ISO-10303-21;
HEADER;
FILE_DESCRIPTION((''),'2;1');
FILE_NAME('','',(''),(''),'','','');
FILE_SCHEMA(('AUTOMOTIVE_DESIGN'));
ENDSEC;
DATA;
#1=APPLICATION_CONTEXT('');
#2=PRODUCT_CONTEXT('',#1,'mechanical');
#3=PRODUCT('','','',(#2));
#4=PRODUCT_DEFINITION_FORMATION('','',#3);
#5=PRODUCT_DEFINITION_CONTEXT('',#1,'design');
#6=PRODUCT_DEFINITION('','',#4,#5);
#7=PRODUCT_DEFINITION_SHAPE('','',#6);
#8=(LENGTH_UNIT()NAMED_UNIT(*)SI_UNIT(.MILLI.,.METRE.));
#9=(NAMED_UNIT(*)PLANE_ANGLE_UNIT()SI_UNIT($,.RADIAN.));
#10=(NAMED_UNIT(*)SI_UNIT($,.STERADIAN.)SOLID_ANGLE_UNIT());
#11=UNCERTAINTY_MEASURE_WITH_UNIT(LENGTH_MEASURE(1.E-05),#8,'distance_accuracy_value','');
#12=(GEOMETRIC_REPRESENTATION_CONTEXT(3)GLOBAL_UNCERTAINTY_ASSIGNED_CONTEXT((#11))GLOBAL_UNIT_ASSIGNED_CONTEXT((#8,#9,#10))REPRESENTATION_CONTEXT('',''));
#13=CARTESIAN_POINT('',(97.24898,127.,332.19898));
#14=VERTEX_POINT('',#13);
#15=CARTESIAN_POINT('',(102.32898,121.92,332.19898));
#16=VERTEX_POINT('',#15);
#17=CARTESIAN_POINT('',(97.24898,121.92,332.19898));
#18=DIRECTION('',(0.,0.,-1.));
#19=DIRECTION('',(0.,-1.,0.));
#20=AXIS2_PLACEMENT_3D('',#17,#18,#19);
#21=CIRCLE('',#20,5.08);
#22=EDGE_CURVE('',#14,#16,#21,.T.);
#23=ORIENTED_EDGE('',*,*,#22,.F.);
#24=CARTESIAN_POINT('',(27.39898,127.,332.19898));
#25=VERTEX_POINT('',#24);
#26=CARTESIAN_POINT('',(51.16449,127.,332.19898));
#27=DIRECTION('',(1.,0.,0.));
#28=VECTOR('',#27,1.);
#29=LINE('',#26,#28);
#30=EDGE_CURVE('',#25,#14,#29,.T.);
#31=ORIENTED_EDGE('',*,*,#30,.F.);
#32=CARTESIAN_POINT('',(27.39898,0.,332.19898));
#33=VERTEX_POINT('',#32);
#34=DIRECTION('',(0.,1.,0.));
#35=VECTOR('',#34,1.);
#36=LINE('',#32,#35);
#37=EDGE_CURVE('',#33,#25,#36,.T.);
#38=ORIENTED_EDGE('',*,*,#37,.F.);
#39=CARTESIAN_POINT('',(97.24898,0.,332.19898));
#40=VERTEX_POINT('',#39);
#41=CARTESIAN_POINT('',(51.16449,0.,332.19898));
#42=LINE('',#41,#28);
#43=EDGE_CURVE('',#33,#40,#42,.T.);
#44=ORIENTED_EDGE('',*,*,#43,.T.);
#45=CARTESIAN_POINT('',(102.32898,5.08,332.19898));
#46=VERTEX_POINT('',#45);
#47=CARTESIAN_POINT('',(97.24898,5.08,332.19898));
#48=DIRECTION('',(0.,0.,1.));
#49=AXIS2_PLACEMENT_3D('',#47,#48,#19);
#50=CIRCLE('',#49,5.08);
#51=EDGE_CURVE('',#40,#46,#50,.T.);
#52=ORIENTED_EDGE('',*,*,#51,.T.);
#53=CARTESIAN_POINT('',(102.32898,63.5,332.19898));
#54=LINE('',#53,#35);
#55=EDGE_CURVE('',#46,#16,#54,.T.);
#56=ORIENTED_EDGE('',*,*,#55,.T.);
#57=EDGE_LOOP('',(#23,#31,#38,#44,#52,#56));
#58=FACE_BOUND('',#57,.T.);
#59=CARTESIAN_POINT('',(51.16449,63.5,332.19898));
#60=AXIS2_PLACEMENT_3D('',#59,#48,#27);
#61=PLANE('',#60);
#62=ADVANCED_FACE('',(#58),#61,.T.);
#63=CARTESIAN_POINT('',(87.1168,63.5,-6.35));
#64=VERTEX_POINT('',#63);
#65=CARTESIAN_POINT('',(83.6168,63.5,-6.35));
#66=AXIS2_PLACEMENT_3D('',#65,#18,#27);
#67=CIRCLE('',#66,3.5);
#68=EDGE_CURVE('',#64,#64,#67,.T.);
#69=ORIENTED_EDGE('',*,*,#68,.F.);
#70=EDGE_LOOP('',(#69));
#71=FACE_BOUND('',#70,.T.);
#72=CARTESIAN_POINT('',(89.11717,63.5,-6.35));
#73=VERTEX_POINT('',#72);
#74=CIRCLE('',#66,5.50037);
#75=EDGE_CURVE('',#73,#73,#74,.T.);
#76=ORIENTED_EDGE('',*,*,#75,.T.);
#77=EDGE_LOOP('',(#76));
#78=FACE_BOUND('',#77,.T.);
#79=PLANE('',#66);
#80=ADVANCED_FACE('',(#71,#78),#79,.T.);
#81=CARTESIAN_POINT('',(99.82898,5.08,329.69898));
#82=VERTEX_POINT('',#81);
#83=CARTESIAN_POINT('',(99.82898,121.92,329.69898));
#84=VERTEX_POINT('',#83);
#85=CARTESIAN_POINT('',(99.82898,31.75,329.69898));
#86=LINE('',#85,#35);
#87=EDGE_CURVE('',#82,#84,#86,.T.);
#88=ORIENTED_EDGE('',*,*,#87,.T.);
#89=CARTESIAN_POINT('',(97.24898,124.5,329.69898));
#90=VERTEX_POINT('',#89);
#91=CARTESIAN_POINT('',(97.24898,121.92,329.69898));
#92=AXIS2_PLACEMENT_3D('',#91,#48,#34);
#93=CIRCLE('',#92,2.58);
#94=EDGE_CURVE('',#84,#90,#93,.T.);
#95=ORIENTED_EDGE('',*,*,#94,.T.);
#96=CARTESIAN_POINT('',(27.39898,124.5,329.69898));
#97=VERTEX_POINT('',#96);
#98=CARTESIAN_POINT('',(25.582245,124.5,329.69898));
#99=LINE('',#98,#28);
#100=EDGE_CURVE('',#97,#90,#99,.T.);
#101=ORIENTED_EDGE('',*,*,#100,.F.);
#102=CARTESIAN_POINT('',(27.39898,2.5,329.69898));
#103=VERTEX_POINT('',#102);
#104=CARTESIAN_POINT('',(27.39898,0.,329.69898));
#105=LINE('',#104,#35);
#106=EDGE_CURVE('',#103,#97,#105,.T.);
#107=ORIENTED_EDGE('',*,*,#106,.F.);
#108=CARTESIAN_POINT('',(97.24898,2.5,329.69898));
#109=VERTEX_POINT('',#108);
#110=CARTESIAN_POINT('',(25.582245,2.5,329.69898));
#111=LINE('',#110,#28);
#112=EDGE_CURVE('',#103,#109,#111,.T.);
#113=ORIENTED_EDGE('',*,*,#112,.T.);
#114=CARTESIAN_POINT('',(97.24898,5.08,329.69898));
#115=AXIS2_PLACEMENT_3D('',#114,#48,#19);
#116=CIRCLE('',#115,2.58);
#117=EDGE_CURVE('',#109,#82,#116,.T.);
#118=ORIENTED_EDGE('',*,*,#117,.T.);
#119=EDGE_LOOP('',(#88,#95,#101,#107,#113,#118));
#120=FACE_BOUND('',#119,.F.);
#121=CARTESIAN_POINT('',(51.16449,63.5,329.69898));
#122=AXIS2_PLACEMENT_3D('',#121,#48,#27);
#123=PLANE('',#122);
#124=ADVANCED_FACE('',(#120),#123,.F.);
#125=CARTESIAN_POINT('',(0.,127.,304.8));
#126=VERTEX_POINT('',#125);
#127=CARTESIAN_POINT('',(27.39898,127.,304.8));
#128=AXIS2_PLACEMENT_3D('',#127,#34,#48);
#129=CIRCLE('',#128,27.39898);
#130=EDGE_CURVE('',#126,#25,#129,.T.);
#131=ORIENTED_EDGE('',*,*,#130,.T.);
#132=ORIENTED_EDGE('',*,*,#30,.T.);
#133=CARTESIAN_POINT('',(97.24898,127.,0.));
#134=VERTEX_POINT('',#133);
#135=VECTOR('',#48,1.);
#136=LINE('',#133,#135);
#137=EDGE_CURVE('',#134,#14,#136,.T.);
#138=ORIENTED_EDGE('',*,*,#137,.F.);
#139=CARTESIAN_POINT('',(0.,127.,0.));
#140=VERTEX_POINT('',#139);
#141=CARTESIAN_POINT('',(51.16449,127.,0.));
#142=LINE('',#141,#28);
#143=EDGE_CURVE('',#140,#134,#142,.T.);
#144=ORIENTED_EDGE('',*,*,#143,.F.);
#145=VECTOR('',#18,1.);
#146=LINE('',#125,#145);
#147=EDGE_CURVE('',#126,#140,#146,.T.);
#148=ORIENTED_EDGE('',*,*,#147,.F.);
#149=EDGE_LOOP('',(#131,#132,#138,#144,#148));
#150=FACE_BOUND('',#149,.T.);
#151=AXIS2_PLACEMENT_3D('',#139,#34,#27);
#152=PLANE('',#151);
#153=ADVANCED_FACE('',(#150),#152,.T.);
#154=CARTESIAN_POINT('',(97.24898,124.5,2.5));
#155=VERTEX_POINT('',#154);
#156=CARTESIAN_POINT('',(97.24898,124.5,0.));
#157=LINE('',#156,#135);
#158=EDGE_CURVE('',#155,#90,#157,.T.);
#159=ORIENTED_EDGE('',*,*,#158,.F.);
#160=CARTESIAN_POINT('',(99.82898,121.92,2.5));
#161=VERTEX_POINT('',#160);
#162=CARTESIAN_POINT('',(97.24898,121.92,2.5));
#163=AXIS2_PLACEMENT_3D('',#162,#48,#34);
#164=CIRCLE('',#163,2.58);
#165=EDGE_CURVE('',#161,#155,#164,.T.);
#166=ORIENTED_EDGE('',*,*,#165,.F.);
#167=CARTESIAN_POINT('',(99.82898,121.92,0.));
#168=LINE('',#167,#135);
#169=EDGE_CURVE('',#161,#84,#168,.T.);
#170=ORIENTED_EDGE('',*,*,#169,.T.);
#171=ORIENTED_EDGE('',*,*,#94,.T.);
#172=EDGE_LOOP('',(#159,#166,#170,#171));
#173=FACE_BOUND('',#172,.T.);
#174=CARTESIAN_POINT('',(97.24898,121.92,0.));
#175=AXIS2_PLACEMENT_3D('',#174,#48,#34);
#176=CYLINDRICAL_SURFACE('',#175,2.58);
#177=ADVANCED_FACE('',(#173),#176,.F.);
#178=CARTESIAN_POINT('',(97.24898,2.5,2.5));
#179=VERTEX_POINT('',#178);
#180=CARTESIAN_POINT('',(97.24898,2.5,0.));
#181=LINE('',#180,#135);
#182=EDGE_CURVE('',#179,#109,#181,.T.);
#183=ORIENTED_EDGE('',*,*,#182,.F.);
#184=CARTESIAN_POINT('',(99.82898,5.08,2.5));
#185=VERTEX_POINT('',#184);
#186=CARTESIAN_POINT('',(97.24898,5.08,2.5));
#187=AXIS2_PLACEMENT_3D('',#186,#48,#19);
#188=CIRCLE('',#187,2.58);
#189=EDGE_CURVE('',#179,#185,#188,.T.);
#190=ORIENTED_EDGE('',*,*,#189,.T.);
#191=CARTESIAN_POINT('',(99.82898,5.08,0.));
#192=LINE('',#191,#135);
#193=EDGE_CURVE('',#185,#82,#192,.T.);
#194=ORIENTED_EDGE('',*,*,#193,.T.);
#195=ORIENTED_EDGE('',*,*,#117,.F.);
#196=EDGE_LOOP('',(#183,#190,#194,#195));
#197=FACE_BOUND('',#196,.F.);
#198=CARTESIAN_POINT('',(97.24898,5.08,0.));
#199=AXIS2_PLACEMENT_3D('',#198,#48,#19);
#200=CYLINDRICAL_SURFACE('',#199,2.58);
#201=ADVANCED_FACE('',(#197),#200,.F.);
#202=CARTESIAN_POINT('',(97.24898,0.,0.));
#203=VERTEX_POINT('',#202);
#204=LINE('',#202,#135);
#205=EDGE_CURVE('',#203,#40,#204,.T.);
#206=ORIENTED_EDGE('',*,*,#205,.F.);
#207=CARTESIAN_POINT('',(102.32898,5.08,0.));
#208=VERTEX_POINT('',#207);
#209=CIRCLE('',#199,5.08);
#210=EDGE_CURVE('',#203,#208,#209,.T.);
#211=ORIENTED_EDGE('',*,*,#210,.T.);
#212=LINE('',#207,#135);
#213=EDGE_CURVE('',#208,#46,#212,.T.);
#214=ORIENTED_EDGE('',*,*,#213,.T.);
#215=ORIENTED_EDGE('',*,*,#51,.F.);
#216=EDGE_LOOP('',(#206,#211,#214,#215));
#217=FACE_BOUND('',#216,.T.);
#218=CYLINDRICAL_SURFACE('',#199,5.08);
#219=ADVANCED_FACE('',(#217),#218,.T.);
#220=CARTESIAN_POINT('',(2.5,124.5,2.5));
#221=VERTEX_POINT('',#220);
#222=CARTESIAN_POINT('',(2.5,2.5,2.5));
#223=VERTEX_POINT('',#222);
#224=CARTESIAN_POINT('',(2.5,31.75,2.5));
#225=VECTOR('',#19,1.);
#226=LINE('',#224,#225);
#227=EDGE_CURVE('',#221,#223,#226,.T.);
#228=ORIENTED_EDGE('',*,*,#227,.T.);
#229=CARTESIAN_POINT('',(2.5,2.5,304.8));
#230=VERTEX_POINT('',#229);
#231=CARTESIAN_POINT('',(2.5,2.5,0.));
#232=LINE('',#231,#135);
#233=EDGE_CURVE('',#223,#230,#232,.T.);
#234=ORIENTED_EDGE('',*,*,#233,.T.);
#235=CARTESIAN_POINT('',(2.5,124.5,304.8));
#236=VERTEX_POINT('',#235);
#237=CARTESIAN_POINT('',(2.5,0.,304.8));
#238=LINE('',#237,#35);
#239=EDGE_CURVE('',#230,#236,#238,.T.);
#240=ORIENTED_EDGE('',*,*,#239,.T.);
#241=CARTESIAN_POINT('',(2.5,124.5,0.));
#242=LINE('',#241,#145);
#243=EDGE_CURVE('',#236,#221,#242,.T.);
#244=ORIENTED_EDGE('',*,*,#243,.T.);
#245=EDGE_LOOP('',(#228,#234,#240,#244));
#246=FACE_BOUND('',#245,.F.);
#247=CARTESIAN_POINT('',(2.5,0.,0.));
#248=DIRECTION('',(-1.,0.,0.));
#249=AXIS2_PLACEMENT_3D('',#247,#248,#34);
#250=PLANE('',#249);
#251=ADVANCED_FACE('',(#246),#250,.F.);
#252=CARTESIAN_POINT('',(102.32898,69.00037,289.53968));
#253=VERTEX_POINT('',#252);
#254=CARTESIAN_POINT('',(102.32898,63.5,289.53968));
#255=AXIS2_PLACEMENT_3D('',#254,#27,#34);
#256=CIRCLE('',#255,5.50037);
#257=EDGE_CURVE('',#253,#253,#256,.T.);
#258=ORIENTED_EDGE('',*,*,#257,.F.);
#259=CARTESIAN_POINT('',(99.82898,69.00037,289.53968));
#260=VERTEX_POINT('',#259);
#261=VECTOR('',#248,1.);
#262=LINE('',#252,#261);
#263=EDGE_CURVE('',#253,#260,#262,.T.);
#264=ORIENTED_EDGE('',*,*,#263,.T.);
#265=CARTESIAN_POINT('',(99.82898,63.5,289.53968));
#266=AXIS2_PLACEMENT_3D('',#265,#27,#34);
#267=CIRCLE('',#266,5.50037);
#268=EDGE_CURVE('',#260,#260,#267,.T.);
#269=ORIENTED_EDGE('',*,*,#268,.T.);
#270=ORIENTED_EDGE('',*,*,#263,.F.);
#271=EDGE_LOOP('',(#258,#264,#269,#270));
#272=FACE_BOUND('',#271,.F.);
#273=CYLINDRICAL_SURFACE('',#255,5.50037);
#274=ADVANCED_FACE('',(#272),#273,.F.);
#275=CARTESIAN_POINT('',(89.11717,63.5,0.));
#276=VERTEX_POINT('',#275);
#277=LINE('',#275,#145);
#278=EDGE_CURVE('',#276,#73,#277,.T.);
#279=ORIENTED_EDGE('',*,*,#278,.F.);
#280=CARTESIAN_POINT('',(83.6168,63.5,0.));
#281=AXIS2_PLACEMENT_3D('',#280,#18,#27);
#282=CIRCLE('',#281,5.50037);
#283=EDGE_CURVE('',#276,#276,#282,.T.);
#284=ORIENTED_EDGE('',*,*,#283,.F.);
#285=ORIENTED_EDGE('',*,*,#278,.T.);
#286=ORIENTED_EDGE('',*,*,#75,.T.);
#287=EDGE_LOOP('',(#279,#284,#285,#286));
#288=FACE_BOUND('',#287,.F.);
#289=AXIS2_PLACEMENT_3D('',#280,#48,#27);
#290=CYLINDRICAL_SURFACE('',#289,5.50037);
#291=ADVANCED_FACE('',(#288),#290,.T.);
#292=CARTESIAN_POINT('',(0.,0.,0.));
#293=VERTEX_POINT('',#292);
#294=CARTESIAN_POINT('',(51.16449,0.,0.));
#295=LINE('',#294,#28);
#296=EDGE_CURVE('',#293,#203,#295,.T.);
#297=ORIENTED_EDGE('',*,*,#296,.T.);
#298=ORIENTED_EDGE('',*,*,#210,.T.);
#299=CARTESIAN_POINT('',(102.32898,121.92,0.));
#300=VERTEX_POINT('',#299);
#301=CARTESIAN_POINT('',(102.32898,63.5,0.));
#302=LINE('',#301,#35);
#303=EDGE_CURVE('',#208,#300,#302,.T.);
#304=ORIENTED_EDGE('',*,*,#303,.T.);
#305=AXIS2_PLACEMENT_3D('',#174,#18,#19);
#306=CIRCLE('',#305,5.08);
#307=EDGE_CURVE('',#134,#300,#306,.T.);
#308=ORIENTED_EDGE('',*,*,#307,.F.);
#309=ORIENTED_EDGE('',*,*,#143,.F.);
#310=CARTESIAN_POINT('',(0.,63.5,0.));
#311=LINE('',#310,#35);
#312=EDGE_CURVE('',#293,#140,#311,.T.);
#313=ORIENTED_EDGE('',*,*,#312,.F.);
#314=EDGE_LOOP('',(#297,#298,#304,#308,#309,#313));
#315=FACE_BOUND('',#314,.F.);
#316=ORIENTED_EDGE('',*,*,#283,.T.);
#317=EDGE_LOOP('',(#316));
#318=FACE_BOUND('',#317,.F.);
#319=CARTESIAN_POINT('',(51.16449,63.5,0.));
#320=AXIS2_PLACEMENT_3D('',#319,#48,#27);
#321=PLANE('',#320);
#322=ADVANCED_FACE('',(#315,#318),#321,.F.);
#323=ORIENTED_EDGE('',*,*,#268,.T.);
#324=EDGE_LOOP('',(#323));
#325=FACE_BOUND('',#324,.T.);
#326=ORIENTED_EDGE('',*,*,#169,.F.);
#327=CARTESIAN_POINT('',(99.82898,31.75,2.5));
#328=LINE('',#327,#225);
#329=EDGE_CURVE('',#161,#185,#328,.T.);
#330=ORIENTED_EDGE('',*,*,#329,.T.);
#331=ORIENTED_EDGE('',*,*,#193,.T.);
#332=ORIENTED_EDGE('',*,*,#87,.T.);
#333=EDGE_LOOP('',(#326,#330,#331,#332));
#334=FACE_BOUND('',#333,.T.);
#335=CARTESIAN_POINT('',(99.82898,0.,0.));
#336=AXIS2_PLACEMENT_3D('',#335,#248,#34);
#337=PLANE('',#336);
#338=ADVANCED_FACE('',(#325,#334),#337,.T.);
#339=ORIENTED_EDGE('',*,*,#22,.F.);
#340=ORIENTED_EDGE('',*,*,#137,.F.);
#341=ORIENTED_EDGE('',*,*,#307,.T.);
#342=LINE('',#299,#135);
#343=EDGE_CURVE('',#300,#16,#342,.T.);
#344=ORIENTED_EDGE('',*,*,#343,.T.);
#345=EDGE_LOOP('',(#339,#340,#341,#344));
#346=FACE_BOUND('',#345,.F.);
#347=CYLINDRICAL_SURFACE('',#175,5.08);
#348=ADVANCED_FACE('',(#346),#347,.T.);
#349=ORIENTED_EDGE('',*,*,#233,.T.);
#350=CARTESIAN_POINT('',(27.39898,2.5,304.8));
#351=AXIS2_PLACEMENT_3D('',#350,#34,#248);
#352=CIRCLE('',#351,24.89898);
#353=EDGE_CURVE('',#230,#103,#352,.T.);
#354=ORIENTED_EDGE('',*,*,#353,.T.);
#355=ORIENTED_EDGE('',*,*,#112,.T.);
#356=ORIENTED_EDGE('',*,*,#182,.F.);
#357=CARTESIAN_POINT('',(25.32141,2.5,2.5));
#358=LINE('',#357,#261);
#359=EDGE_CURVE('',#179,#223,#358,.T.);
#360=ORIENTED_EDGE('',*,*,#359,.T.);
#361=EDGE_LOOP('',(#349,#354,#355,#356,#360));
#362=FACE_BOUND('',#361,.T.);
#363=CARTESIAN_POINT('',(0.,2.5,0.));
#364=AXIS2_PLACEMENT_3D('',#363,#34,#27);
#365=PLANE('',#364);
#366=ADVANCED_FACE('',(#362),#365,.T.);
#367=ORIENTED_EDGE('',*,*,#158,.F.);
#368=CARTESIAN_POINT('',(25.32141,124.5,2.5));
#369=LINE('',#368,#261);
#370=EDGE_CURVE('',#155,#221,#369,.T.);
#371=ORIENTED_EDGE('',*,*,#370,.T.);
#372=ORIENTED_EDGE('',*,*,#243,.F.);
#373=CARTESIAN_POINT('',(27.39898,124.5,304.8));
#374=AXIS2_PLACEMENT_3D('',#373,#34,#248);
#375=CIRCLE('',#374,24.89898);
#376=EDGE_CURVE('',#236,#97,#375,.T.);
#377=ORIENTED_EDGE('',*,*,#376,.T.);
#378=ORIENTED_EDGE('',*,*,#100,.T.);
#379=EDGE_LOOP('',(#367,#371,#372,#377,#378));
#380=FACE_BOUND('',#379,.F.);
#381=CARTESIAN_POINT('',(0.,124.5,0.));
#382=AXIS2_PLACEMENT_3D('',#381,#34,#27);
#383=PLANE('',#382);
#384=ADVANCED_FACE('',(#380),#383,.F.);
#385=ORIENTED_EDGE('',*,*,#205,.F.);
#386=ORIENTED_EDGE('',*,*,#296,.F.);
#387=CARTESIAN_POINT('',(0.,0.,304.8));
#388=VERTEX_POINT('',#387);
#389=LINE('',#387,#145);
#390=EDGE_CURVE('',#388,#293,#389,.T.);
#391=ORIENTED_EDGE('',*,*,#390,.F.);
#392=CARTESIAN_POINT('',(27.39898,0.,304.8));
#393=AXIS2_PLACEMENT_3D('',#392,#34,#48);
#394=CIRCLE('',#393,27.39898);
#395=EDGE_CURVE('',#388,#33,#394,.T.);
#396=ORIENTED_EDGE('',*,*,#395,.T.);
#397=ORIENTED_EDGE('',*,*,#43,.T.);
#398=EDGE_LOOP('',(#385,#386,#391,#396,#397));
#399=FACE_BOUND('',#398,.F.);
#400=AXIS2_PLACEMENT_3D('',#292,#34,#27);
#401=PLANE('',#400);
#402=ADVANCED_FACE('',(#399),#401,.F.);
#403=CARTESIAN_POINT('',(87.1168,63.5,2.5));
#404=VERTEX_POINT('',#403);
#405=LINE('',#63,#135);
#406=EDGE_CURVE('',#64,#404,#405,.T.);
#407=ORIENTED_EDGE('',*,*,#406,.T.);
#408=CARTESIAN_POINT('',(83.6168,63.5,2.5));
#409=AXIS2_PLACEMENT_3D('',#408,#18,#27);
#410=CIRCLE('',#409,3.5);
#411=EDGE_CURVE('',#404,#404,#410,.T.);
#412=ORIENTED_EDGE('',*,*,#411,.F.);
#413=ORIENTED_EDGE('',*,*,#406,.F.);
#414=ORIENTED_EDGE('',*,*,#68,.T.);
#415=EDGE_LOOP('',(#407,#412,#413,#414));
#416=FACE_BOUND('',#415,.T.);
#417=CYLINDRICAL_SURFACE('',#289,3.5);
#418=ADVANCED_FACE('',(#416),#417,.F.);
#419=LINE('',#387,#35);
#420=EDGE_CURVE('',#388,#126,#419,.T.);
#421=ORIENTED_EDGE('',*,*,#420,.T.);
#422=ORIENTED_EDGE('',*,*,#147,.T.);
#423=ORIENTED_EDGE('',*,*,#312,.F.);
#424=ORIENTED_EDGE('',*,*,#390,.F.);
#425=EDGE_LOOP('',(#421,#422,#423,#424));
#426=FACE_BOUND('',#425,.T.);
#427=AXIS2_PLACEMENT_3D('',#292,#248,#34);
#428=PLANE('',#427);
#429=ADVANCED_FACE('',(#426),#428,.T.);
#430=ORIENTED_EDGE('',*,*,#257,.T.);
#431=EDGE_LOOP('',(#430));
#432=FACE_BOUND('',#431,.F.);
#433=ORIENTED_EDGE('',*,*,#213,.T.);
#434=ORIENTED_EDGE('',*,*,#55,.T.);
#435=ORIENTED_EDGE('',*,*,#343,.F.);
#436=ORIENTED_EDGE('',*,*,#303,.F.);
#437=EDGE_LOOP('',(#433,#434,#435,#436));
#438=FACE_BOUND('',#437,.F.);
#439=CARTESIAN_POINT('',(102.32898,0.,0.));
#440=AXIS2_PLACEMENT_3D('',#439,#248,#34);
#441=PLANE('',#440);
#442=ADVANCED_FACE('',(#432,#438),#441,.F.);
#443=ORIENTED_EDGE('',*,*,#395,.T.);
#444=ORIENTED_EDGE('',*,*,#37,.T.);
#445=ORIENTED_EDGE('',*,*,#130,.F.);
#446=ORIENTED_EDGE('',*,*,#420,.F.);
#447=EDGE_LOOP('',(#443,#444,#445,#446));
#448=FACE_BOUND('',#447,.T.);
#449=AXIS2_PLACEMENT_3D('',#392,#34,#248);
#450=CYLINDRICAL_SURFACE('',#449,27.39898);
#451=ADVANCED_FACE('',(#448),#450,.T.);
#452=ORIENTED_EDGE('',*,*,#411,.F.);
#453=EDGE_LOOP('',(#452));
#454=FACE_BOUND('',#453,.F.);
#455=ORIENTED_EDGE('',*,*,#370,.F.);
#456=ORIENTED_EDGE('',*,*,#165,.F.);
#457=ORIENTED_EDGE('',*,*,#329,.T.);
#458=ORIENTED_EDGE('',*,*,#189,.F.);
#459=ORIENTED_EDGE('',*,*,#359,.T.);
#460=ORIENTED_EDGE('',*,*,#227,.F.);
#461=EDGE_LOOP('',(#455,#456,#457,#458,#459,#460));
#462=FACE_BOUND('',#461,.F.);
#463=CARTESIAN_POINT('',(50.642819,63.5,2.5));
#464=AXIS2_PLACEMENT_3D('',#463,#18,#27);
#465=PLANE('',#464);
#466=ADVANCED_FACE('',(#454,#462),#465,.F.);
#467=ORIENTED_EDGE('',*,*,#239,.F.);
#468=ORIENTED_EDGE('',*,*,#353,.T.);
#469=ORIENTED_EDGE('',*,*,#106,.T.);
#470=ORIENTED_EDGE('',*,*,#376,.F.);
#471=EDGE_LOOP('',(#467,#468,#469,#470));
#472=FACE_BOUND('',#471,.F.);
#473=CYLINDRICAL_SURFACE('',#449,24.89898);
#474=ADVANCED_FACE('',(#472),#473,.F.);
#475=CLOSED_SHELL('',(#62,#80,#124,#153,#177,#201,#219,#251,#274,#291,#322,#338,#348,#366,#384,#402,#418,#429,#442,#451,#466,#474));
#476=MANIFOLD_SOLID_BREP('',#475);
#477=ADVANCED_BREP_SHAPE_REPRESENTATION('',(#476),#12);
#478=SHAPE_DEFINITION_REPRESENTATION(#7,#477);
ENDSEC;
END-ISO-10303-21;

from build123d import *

# Parameters (mm, degrees)
F0_W      = 102.32898
F0_H      = 127
F1_DEPTH  = 332.19898
F2_R      = 27.39898
F3_R      = 5.08
F5_T      = -2.5
F7_DEPTH  = 2.5
F4_R      = 5.50037
F8_DEPTH  = 2.5
F9_R      = 5.50037
F9_R_2    = 3.5
F10_DEPTH = 6.35
F11_DEPTH = 2.5


with BuildPart() as f1:
    # F0 (on Top) → F1 (new body)
    with BuildSketch(Plane.XY):
        with Locations((51.16449, 63.5)):
            Rectangle(F0_W, F0_H)
    extrude(amount=F1_DEPTH)

    # F2
    f2_edges = [f1.edges().sort_by_distance(p)[0] for p in [
        (0, 63.5, 332.19898),
    ]]
    fillet(f2_edges, radius=F2_R)

    # F3
    f3_edges = [f1.edges().sort_by_distance(p)[0] for p in [
        (102.32898, 0, 166.09949),
        (102.32898, 127, 166.09949),
    ]]
    fillet(f3_edges, radius=F3_R)

    # F5
    f5_openings = [f1.faces().sort_by_distance(p)[0] for p in [
        (51.121814, 63.5, 0),
    ]]
    offset(amount=F5_T, openings=f5_openings)

    # F6 (on face) → F7 (join)
    with BuildSketch(Plane(origin=(0, 0, 0), x_dir=(1, 0, 0), z_dir=(0, 0, -1))):
        with BuildLine():
            Line((102.32898, -121.92), (102.32898, -5.08))
            ThreePointArc((102.32898, -5.08), (100.8410824484, -1.4878975516), (97.24898, 0))
            Line((97.24898, 0), (0, 0))
            Line((0, 0), (0, -127))
            Line((0, -127), (97.24898, -127))
            ThreePointArc((97.24898, -127), (100.8410824484, -125.5121024484), (102.32898, -121.92))
        make_face()
    extrude(amount=-F7_DEPTH)

    # F4 (on face) → F8 (cut, through all)
    with BuildSketch(Plane.YZ.offset(102.32898)):
        with Locations((63.5, 289.53968)):
            Circle(F4_R)
    extrude(amount=-F8_DEPTH, mode=Mode.SUBTRACT)

    # F9 (on face) → F10 (join)
    with BuildSketch(Plane(origin=(0, 0, 0), x_dir=(1, 0, 0), z_dir=(0, 0, -1))):
        with Locations((83.6168, -63.5)):
            Circle(F9_R)
        with Locations((83.6168, -63.5)):
            Circle(F9_R_2, mode=Mode.SUBTRACT)
    extrude(amount=F10_DEPTH)

    # F11 (cut, through all): a face of the model
    f11_faces = [f1.faces().sort_by_distance(p)[0] for p in [
        (83.6168, 63.5, 0),
    ]]
    extrude(f11_faces, amount=-F11_DEPTH, mode=Mode.SUBTRACT)


solid = f1.part
